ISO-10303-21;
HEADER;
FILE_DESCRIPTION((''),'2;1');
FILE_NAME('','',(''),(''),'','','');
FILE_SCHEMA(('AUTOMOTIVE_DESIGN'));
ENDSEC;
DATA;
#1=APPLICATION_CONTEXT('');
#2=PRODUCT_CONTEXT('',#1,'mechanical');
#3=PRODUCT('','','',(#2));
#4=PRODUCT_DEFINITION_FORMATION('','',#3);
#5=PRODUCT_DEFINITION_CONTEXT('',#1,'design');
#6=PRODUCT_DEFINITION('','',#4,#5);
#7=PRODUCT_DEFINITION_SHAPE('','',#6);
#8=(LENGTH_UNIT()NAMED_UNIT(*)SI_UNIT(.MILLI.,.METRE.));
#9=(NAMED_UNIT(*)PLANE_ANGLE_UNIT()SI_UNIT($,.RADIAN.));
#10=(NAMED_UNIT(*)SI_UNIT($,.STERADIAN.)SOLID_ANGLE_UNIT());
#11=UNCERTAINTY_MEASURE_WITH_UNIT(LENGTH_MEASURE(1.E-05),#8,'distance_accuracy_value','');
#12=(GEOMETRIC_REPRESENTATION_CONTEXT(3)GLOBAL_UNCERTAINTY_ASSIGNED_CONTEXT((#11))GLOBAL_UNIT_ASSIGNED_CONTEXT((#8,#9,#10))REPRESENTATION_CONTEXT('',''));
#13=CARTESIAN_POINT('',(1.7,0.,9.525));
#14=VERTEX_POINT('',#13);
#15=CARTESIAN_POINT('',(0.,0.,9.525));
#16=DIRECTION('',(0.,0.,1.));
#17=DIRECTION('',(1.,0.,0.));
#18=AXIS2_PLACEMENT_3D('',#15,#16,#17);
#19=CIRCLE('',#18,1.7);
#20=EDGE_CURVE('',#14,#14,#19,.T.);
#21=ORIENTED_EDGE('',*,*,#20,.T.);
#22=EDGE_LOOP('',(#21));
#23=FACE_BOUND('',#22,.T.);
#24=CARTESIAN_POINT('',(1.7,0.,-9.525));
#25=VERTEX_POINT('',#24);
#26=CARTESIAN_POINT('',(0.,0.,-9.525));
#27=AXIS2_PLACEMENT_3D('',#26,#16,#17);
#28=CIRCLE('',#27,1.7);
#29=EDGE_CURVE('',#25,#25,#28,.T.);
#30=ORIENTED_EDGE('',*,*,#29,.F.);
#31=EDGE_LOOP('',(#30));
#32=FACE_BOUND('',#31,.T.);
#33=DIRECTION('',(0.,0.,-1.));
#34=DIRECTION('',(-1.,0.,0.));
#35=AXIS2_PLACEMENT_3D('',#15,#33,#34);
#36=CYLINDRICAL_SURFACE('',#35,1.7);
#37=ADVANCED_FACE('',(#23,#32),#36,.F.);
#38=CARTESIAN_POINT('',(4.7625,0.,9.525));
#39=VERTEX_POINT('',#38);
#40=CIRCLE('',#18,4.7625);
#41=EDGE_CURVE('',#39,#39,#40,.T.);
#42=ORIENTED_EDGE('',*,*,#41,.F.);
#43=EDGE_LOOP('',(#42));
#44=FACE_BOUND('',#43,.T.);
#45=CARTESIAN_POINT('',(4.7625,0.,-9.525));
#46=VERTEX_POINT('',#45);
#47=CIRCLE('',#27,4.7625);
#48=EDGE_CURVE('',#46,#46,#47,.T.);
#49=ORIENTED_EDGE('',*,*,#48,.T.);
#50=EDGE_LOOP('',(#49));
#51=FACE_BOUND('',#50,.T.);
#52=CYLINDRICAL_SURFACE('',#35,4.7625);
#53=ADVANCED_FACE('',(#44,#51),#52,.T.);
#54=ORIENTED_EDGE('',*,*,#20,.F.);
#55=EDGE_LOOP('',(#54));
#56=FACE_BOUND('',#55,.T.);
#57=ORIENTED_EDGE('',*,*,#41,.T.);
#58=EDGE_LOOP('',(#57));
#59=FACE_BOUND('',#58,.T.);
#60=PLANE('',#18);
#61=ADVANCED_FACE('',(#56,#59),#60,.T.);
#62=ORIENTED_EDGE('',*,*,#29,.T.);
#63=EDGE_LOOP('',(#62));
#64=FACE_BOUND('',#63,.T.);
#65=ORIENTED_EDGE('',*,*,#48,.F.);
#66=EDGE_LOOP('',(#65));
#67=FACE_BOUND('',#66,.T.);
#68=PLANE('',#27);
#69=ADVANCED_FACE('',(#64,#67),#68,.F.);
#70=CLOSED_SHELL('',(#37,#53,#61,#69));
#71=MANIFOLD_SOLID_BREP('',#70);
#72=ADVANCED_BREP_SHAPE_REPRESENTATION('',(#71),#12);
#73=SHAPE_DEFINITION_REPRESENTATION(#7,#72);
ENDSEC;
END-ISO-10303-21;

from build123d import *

# Parameters (mm, degrees)
SKETCH1_R           = 4.7625
SKETCH1_R_2         = 1.7
BOSS_EXTRUDE1_DEPTH = 9.525


with BuildPart() as part:
    # Sketch1 → Boss-Extrude1 (new body, symmetric)
    with BuildSketch(Plane.XY):
        Circle(SKETCH1_R)
        Circle(SKETCH1_R_2, mode=Mode.SUBTRACT)
    extrude(amount=BOSS_EXTRUDE1_DEPTH, both=True)


solid = part.part
